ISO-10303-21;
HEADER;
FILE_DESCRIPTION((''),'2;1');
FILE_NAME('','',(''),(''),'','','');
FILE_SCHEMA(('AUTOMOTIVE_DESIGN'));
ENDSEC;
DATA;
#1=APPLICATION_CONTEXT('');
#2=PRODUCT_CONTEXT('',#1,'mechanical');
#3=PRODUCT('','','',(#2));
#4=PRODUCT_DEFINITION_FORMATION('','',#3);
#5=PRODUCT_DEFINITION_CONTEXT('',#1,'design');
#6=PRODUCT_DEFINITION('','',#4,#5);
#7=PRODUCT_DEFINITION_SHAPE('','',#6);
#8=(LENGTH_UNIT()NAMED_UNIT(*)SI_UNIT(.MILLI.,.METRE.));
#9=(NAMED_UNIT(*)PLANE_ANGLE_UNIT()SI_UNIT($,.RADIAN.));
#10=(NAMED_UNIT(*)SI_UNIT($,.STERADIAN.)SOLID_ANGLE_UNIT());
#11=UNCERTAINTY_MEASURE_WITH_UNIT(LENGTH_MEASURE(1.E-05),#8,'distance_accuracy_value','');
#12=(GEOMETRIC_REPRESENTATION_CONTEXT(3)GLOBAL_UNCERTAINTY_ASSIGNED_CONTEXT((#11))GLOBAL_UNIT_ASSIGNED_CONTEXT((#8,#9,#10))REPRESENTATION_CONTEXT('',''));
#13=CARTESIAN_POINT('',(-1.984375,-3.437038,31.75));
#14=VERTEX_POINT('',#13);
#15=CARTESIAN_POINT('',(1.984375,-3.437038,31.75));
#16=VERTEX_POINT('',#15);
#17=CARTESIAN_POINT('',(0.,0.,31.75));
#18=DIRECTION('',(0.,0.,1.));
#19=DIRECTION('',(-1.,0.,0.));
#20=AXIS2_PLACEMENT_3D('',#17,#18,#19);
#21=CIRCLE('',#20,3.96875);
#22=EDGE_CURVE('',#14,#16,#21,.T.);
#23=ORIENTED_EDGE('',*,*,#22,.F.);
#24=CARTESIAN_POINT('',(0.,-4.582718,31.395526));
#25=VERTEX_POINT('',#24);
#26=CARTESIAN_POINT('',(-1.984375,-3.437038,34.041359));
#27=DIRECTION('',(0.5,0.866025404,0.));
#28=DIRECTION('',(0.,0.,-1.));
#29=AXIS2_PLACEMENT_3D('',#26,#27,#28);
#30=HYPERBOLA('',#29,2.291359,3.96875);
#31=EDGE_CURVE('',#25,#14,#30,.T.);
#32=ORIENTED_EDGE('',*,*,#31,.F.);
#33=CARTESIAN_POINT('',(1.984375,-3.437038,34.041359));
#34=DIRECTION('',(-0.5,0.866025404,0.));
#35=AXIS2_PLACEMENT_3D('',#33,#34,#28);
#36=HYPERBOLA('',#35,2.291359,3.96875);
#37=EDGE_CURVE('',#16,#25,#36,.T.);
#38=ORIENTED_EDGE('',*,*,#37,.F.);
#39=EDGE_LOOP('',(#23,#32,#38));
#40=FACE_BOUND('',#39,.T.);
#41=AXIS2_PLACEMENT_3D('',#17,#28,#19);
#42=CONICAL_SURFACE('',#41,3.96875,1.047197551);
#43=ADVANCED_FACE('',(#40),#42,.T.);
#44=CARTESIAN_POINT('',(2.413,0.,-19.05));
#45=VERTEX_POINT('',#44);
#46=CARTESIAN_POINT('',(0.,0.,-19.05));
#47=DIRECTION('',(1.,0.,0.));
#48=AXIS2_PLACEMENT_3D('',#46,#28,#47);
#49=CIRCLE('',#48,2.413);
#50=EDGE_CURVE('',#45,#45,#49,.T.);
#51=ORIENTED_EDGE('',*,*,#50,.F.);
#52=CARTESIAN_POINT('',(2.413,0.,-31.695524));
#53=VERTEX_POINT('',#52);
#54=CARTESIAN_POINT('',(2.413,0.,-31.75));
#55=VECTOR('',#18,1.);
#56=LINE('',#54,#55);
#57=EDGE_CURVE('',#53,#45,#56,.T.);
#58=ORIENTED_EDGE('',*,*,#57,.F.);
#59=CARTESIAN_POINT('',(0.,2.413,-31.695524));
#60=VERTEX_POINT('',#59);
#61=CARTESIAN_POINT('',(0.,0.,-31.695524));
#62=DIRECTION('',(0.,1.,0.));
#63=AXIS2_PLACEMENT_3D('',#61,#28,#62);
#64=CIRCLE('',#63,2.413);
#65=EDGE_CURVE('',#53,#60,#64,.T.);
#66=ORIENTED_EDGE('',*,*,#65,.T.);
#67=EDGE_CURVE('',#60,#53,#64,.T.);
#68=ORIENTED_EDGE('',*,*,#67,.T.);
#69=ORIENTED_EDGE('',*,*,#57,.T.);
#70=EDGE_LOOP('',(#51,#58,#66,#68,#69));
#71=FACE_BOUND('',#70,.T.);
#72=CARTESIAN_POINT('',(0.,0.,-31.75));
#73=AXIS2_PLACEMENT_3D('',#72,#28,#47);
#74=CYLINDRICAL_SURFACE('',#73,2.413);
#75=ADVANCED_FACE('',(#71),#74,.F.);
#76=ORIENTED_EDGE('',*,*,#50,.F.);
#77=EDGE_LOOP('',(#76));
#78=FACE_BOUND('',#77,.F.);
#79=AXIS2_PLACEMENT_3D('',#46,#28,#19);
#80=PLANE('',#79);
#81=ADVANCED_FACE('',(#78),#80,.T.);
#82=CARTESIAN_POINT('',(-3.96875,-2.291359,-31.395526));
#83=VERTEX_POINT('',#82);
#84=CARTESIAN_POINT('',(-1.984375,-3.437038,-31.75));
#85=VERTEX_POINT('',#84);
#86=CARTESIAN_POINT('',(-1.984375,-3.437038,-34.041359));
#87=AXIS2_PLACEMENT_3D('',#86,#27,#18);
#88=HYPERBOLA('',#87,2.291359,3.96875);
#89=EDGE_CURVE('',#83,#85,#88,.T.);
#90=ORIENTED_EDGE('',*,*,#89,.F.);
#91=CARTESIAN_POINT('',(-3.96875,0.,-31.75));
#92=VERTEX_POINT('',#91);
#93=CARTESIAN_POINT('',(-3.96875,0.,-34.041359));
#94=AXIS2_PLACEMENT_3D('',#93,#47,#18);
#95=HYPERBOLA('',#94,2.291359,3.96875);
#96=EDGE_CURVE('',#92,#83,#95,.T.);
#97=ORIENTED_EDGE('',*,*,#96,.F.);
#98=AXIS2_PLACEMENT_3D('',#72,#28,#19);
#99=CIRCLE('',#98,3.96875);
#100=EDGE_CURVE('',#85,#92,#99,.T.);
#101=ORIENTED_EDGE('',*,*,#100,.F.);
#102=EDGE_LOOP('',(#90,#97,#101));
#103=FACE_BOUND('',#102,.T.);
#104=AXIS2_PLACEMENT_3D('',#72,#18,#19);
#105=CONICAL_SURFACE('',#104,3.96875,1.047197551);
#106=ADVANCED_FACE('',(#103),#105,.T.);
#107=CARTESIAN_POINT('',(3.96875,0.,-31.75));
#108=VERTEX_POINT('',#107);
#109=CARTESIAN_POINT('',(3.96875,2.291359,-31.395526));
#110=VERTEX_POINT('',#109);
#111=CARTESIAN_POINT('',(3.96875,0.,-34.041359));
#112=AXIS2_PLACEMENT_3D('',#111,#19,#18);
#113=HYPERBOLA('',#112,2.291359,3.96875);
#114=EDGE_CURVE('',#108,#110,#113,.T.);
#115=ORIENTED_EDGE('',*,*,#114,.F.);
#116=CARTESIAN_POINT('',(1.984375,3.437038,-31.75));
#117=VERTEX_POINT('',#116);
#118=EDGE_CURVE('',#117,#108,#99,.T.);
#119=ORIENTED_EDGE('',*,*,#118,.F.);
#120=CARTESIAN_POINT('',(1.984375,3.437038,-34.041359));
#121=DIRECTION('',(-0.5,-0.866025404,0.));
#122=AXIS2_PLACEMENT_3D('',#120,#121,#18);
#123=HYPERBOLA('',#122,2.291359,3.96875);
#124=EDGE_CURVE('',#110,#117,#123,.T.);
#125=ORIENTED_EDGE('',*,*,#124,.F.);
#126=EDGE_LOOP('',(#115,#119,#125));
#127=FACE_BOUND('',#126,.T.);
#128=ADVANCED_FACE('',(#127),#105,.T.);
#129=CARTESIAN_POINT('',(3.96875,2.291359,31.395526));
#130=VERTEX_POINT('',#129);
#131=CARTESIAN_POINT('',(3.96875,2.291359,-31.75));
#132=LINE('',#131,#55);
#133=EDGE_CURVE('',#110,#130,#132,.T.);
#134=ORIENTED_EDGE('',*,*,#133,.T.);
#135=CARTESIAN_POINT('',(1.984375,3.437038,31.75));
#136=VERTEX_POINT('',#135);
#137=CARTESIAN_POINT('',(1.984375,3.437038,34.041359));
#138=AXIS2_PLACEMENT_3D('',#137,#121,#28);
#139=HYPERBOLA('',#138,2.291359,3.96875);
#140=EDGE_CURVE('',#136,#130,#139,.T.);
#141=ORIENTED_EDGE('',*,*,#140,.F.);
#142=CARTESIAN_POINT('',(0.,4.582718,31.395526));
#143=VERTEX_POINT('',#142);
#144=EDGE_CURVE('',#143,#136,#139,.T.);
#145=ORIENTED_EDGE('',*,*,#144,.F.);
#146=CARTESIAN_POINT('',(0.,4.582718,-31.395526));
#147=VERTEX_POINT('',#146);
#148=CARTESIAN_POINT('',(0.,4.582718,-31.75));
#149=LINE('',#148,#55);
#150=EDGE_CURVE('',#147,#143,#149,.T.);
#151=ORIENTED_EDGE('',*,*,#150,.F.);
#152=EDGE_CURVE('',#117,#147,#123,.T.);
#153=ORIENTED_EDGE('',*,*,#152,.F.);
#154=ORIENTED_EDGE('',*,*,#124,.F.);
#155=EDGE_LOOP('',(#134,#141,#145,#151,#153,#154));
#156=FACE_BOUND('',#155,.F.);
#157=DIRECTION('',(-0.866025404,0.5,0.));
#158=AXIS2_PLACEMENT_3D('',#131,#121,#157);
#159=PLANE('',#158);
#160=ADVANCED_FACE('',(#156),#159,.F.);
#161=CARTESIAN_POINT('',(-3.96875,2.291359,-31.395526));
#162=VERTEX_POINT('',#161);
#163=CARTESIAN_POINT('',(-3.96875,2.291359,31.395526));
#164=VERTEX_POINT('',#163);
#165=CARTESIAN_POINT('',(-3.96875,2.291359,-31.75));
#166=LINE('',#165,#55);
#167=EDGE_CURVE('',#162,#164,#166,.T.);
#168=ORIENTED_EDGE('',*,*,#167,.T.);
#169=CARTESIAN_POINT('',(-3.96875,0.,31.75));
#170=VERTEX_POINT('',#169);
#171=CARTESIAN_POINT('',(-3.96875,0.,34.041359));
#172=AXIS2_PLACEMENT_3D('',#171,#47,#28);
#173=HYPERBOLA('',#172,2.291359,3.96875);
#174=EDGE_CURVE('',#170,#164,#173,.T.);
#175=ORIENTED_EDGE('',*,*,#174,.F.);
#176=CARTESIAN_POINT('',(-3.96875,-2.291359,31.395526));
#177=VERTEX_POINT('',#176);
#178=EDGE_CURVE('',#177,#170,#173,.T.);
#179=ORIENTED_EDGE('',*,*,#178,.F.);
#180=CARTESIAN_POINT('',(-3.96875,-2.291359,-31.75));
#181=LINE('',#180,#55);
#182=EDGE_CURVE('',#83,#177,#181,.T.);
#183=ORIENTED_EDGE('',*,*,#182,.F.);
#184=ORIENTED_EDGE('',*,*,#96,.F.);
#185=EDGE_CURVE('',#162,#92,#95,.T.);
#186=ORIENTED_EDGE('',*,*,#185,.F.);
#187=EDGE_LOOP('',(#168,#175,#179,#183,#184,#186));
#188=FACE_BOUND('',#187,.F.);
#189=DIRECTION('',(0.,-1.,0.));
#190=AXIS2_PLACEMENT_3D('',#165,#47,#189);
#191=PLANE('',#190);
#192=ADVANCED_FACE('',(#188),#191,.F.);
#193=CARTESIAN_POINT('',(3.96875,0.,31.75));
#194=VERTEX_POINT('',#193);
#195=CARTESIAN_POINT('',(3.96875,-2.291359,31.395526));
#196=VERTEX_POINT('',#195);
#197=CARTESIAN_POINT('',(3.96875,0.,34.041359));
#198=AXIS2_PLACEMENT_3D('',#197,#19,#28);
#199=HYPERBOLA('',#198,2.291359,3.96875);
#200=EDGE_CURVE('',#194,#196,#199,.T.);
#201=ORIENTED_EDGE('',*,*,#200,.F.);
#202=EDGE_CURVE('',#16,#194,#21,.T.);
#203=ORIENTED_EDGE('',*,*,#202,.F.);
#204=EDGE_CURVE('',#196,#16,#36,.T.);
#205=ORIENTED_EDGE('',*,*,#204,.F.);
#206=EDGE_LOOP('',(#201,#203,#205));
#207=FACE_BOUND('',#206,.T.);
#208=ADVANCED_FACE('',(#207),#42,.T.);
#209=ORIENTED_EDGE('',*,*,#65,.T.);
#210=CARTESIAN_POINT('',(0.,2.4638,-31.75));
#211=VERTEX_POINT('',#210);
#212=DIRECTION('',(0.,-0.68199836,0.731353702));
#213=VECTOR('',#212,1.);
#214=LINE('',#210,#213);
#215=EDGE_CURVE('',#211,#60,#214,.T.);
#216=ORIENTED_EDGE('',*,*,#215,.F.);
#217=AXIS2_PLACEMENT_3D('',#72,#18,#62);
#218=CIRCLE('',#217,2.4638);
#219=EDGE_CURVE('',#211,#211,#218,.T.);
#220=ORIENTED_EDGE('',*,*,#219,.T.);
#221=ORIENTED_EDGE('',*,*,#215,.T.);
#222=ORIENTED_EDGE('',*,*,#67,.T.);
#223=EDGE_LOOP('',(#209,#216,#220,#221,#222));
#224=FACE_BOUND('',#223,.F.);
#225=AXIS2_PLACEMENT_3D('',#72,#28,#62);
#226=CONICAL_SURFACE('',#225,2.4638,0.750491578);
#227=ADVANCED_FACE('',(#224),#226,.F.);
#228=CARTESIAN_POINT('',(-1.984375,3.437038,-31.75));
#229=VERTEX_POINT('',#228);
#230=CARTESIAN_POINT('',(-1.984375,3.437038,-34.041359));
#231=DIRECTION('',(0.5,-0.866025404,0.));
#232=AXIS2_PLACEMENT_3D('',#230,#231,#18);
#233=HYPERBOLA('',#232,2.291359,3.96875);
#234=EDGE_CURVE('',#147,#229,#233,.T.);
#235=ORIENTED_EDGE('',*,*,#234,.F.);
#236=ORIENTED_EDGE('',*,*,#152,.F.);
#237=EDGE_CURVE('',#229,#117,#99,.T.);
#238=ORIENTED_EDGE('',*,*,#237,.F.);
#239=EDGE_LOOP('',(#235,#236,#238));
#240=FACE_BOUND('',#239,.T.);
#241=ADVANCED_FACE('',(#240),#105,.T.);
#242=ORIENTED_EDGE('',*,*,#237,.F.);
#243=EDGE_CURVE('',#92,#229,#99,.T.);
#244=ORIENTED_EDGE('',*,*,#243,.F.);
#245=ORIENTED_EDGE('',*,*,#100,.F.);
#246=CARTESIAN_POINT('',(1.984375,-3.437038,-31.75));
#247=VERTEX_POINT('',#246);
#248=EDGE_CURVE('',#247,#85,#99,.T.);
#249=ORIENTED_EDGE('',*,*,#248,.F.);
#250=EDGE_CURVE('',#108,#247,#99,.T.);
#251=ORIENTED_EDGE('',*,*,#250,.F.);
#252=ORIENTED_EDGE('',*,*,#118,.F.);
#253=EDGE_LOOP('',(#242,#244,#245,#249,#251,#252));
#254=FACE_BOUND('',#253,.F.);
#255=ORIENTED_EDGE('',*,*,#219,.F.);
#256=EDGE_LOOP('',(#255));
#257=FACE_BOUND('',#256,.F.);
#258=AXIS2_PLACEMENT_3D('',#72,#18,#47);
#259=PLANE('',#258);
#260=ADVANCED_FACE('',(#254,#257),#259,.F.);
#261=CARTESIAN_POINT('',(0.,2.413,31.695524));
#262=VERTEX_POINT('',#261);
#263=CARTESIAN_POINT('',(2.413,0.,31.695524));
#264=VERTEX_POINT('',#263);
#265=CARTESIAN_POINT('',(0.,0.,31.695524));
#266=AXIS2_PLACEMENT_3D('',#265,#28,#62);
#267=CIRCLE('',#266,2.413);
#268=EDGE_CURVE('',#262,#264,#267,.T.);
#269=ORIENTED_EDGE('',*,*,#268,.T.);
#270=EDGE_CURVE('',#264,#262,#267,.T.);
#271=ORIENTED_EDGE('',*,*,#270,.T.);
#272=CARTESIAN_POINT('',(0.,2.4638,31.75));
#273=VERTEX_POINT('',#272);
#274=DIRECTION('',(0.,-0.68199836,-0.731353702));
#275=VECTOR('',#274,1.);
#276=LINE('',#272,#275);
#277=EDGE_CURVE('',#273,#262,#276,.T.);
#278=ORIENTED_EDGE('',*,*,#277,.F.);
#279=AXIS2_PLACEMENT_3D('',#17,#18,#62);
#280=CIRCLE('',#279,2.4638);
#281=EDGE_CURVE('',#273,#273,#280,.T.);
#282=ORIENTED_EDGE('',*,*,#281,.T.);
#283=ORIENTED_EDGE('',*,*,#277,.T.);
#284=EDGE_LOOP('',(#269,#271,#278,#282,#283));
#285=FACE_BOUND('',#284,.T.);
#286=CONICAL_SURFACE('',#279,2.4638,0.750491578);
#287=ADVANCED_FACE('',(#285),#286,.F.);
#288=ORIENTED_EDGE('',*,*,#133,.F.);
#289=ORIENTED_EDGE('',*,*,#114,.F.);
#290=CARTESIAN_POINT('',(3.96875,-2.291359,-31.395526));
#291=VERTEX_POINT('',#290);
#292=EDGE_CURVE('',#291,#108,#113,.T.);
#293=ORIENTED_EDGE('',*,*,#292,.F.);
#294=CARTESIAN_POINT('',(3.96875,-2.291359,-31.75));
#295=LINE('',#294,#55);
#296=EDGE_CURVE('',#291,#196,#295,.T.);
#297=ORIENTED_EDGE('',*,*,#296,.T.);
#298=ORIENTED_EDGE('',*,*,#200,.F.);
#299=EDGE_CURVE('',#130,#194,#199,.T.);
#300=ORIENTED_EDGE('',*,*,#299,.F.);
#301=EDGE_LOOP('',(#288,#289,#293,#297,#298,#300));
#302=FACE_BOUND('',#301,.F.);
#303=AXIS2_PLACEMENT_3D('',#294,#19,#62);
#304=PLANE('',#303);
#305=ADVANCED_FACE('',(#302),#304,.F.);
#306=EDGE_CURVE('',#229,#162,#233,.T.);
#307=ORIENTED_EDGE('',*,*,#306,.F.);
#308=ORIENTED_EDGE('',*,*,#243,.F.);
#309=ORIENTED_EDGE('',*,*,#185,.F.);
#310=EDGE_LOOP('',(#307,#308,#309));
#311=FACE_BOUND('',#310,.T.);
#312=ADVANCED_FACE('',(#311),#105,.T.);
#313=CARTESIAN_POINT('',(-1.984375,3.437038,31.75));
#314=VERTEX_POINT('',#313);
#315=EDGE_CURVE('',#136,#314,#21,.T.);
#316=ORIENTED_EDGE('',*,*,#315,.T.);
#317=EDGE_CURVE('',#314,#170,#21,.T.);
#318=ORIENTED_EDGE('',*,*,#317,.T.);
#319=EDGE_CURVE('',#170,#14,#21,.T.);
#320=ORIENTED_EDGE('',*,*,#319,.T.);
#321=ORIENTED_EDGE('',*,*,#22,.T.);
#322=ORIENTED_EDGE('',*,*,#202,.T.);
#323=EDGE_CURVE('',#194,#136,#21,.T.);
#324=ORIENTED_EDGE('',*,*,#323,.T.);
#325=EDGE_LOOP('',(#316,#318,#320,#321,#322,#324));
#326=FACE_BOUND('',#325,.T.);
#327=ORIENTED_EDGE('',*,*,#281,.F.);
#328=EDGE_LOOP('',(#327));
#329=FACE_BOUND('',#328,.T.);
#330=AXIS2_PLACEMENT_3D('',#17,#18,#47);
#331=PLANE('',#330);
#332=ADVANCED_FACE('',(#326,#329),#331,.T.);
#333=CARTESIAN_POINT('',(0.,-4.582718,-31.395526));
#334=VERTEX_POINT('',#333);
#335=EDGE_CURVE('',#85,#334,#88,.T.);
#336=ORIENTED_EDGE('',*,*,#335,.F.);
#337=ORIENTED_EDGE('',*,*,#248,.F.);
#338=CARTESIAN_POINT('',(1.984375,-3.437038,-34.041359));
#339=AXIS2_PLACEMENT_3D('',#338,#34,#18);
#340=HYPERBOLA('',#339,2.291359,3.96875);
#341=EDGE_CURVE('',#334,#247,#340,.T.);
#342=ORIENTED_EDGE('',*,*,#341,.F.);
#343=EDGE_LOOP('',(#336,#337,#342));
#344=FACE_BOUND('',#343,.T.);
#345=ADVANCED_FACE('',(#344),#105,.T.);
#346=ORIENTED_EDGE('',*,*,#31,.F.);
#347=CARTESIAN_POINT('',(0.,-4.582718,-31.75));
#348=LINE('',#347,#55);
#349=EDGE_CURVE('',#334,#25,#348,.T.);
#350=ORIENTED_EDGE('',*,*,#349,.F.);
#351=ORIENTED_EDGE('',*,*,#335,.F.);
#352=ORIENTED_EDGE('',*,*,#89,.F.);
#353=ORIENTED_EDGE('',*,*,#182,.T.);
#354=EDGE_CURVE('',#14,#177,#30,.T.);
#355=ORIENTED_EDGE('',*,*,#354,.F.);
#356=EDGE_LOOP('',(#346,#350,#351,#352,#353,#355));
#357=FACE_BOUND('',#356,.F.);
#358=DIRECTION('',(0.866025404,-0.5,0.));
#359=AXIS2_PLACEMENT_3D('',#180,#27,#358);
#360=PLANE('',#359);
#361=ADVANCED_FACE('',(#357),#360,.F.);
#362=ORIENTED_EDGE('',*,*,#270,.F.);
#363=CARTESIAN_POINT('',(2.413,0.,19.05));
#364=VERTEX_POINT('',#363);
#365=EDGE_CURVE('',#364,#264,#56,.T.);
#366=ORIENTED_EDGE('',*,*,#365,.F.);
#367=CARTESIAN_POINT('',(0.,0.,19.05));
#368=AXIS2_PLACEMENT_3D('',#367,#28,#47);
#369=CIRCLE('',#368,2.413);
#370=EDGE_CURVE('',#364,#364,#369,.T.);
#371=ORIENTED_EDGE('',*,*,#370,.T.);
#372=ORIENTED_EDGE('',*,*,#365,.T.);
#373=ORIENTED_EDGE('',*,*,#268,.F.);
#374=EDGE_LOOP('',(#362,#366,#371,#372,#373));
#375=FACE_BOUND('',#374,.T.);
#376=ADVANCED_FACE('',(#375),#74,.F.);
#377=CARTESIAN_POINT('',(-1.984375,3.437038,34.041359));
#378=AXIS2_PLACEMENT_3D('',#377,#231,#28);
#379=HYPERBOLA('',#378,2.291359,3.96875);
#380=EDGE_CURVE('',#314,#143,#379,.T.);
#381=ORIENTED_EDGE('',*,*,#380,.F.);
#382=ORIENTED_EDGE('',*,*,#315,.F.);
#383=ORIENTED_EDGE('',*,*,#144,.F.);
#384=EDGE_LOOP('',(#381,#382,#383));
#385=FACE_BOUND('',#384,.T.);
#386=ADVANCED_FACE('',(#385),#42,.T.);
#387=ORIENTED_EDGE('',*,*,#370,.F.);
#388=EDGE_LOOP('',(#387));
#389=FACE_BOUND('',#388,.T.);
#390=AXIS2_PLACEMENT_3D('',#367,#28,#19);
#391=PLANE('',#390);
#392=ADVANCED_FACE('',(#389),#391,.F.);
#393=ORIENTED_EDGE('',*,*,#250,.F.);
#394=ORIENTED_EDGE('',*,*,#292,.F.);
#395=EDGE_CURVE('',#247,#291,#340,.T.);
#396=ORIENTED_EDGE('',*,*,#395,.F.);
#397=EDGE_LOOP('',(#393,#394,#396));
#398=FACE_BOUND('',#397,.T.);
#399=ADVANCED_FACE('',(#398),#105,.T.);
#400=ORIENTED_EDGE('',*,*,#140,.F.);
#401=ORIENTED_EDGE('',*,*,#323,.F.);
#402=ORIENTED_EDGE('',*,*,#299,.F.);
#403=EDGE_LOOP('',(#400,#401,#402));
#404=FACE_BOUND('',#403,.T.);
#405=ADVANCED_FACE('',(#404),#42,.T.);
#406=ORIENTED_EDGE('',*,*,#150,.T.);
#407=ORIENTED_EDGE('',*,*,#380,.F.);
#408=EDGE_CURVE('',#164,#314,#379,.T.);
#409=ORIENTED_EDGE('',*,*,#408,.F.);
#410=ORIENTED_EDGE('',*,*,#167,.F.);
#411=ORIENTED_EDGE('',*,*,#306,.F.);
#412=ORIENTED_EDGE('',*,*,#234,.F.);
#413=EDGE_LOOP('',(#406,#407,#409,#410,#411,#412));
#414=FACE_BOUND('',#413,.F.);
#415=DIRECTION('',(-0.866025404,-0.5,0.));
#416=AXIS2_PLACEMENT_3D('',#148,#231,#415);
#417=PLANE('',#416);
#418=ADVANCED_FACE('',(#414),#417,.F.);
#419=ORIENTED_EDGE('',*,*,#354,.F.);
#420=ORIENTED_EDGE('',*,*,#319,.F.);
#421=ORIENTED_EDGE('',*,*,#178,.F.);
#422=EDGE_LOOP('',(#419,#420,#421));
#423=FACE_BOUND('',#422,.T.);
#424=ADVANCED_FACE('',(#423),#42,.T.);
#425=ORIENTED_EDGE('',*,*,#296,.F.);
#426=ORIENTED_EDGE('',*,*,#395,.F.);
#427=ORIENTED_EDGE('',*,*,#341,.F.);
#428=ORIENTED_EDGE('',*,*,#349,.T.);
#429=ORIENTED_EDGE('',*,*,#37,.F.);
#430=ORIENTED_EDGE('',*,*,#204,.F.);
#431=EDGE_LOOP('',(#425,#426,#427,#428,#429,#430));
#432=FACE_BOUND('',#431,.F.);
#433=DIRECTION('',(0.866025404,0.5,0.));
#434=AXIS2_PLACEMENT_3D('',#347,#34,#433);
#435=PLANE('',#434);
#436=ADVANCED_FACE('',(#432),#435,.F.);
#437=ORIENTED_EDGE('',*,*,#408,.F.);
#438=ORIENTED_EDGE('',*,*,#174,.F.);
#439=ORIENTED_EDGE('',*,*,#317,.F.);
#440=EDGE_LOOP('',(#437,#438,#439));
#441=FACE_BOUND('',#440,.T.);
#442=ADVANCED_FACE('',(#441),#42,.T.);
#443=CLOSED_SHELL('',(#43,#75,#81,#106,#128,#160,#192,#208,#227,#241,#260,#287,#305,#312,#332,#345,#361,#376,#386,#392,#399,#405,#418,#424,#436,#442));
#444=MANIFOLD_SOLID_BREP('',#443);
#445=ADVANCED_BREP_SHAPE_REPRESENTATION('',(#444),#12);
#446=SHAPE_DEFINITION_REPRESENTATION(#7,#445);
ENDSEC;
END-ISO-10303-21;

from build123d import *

# Parameters (mm, degrees)
EXTRUDE1_DEPTH          = 31.75
EXTRUDE1_DEPTH_BACK     = 31.75
SKETCH1_R               = 2.413
SKETCH8_OUTSIDE_W       = 247.302
SKETCH8_OUTSIDE_H       = 248.53
SKETCH8_OUTSIDE_R       = 3.96875
EXTRUDE4_DEPTH          = 64.788731596
EXTRUDE4_DRAFT          = -60
MIRROR1_COPY_1_SKETCH_W = 247.302
MIRROR1_COPY_1_SKETCH_H = 248.53
MIRROR1_COPY_1_SKETCH_R = 3.96875
MIRROR1_COPY_1_DEPTH    = 64.788731596
MIRROR1_COPY_1_DRAFT    = -60
SKETCH9_W               = 38.1
SKETCH9_H               = 2.4638


with BuildPart() as part:
    # Sketch1 → Extrude1 (new, two sides: drawn at the far end of the back side and taken through both)
    with BuildSketch(Plane.XY.offset(-EXTRUDE1_DEPTH_BACK)):
        Polygon((0, 4.582717762), (-3.96875, 2.291358881), (-3.96875, -2.291358881), (0, -4.582717762), (3.96875, -2.291358881), (3.96875, 2.291358881), align=None)
        Circle(SKETCH1_R, mode=Mode.SUBTRACT)
    extrude(amount=EXTRUDE1_DEPTH + EXTRUDE1_DEPTH_BACK)

    # Extrude3 cone 1 section (through the dimple's axis) → Extrude3 (revolve, cut)
    with BuildSketch(Plane(origin=(0, 0, -31.75), x_dir=(0, 1, 0), z_dir=(1, 0, 0))):
        Polygon((0, 0), (2.4638, 0), (0, 2.642102028), align=None)
    extrude3 = revolve(axis=Axis((0, 0, -31.75), (0, 0, 1)), mode=Mode.SUBTRACT)


with BuildPart() as extrude4_tool:
    # Sketch8 outside → Extrude4 (with draft: the straight prism first)
    with BuildSketch(Plane(origin=(0, 0, -31.75), x_dir=(-1, 0, 0), z_dir=(0, 0, -1))):
        Rectangle(SKETCH8_OUTSIDE_W, SKETCH8_OUTSIDE_H)
        Circle(SKETCH8_OUTSIDE_R, mode=Mode.SUBTRACT)
    extrude(amount=-EXTRUDE4_DEPTH)
    # Extrude4: the draft: its side faces are tilted about the plane it starts from
    extrude4_sides = [extrude4_tool.faces().sort_by_distance(p)[0] for p in [
        (0, -124.265, 0.644365798),
        (-123.651, 0, 0.644365798),
        (0, 124.265, 0.644365798),
        (123.651, 0, 0.644365798),
        (3.96875, 0, 0.644365798),
    ]]
    draft(extrude4_sides, Plane(origin=(0, 0, -31.75), x_dir=(-1, 0, 0), z_dir=(0, 0, -1)), EXTRUDE4_DRAFT)


with BuildPart() as part_1:
    add(part.part)

    # Extrude4: cut by extrude4_tool
    add(extrude4_tool.part, mode=Mode.SUBTRACT)

    # Mirror1: Extrude3 across plane
    add(extrude3.mirror(Plane.XY), mode=Mode.SUBTRACT)


with BuildPart() as mirror1_copy_1_tool:
    # Mirror1 copy 1 sketch → Mirror1 copy 1 (with draft: the straight prism first)
    with BuildSketch(Plane(origin=(0, 0, 31.75), x_dir=(-1, 0, 0), z_dir=(0, 0, 1))):
        Rectangle(MIRROR1_COPY_1_SKETCH_W, MIRROR1_COPY_1_SKETCH_H)
        Circle(MIRROR1_COPY_1_SKETCH_R, mode=Mode.SUBTRACT)
    extrude(amount=-MIRROR1_COPY_1_DEPTH)
    # Mirror1 copy 1: the draft: its side faces are tilted about the plane it starts from
    mirror1_copy_1_sides = [mirror1_copy_1_tool.faces().sort_by_distance(p)[0] for p in [
        (0, -124.265, -0.644365798),
        (-123.651, 0, -0.644365798),
        (0, 124.265, -0.644365798),
        (123.651, 0, -0.644365798),
        (3.96875, 0, -0.644365798),
    ]]
    draft(mirror1_copy_1_sides, Plane(origin=(0, 0, 31.75), x_dir=(-1, 0, 0), z_dir=(0, 0, 1)), MIRROR1_COPY_1_DRAFT)


with BuildPart() as part_2:
    add(part_1.part)

    # Mirror1 copy 1: cut by mirror1_copy_1_tool
    add(mirror1_copy_1_tool.part, mode=Mode.SUBTRACT)

    # Sketch9 → Revolve 2 (revolve)
    with BuildSketch(Plane(origin=(0, 0, 0), x_dir=(0, 0, -1), z_dir=(1, 0, 0)), mode=Mode.PRIVATE) as revolve_2_sk:
        with Locations((0, 1.2319)):
            Rectangle(SKETCH9_W, SKETCH9_H)
    revolve(revolve_2_sk.sketch.rotate(Axis((0, 0, 31.75), (0, 0, -1)), 270), axis=Axis((0, 0, 31.75), (0, 0, -1)))


solid = part_2.part
